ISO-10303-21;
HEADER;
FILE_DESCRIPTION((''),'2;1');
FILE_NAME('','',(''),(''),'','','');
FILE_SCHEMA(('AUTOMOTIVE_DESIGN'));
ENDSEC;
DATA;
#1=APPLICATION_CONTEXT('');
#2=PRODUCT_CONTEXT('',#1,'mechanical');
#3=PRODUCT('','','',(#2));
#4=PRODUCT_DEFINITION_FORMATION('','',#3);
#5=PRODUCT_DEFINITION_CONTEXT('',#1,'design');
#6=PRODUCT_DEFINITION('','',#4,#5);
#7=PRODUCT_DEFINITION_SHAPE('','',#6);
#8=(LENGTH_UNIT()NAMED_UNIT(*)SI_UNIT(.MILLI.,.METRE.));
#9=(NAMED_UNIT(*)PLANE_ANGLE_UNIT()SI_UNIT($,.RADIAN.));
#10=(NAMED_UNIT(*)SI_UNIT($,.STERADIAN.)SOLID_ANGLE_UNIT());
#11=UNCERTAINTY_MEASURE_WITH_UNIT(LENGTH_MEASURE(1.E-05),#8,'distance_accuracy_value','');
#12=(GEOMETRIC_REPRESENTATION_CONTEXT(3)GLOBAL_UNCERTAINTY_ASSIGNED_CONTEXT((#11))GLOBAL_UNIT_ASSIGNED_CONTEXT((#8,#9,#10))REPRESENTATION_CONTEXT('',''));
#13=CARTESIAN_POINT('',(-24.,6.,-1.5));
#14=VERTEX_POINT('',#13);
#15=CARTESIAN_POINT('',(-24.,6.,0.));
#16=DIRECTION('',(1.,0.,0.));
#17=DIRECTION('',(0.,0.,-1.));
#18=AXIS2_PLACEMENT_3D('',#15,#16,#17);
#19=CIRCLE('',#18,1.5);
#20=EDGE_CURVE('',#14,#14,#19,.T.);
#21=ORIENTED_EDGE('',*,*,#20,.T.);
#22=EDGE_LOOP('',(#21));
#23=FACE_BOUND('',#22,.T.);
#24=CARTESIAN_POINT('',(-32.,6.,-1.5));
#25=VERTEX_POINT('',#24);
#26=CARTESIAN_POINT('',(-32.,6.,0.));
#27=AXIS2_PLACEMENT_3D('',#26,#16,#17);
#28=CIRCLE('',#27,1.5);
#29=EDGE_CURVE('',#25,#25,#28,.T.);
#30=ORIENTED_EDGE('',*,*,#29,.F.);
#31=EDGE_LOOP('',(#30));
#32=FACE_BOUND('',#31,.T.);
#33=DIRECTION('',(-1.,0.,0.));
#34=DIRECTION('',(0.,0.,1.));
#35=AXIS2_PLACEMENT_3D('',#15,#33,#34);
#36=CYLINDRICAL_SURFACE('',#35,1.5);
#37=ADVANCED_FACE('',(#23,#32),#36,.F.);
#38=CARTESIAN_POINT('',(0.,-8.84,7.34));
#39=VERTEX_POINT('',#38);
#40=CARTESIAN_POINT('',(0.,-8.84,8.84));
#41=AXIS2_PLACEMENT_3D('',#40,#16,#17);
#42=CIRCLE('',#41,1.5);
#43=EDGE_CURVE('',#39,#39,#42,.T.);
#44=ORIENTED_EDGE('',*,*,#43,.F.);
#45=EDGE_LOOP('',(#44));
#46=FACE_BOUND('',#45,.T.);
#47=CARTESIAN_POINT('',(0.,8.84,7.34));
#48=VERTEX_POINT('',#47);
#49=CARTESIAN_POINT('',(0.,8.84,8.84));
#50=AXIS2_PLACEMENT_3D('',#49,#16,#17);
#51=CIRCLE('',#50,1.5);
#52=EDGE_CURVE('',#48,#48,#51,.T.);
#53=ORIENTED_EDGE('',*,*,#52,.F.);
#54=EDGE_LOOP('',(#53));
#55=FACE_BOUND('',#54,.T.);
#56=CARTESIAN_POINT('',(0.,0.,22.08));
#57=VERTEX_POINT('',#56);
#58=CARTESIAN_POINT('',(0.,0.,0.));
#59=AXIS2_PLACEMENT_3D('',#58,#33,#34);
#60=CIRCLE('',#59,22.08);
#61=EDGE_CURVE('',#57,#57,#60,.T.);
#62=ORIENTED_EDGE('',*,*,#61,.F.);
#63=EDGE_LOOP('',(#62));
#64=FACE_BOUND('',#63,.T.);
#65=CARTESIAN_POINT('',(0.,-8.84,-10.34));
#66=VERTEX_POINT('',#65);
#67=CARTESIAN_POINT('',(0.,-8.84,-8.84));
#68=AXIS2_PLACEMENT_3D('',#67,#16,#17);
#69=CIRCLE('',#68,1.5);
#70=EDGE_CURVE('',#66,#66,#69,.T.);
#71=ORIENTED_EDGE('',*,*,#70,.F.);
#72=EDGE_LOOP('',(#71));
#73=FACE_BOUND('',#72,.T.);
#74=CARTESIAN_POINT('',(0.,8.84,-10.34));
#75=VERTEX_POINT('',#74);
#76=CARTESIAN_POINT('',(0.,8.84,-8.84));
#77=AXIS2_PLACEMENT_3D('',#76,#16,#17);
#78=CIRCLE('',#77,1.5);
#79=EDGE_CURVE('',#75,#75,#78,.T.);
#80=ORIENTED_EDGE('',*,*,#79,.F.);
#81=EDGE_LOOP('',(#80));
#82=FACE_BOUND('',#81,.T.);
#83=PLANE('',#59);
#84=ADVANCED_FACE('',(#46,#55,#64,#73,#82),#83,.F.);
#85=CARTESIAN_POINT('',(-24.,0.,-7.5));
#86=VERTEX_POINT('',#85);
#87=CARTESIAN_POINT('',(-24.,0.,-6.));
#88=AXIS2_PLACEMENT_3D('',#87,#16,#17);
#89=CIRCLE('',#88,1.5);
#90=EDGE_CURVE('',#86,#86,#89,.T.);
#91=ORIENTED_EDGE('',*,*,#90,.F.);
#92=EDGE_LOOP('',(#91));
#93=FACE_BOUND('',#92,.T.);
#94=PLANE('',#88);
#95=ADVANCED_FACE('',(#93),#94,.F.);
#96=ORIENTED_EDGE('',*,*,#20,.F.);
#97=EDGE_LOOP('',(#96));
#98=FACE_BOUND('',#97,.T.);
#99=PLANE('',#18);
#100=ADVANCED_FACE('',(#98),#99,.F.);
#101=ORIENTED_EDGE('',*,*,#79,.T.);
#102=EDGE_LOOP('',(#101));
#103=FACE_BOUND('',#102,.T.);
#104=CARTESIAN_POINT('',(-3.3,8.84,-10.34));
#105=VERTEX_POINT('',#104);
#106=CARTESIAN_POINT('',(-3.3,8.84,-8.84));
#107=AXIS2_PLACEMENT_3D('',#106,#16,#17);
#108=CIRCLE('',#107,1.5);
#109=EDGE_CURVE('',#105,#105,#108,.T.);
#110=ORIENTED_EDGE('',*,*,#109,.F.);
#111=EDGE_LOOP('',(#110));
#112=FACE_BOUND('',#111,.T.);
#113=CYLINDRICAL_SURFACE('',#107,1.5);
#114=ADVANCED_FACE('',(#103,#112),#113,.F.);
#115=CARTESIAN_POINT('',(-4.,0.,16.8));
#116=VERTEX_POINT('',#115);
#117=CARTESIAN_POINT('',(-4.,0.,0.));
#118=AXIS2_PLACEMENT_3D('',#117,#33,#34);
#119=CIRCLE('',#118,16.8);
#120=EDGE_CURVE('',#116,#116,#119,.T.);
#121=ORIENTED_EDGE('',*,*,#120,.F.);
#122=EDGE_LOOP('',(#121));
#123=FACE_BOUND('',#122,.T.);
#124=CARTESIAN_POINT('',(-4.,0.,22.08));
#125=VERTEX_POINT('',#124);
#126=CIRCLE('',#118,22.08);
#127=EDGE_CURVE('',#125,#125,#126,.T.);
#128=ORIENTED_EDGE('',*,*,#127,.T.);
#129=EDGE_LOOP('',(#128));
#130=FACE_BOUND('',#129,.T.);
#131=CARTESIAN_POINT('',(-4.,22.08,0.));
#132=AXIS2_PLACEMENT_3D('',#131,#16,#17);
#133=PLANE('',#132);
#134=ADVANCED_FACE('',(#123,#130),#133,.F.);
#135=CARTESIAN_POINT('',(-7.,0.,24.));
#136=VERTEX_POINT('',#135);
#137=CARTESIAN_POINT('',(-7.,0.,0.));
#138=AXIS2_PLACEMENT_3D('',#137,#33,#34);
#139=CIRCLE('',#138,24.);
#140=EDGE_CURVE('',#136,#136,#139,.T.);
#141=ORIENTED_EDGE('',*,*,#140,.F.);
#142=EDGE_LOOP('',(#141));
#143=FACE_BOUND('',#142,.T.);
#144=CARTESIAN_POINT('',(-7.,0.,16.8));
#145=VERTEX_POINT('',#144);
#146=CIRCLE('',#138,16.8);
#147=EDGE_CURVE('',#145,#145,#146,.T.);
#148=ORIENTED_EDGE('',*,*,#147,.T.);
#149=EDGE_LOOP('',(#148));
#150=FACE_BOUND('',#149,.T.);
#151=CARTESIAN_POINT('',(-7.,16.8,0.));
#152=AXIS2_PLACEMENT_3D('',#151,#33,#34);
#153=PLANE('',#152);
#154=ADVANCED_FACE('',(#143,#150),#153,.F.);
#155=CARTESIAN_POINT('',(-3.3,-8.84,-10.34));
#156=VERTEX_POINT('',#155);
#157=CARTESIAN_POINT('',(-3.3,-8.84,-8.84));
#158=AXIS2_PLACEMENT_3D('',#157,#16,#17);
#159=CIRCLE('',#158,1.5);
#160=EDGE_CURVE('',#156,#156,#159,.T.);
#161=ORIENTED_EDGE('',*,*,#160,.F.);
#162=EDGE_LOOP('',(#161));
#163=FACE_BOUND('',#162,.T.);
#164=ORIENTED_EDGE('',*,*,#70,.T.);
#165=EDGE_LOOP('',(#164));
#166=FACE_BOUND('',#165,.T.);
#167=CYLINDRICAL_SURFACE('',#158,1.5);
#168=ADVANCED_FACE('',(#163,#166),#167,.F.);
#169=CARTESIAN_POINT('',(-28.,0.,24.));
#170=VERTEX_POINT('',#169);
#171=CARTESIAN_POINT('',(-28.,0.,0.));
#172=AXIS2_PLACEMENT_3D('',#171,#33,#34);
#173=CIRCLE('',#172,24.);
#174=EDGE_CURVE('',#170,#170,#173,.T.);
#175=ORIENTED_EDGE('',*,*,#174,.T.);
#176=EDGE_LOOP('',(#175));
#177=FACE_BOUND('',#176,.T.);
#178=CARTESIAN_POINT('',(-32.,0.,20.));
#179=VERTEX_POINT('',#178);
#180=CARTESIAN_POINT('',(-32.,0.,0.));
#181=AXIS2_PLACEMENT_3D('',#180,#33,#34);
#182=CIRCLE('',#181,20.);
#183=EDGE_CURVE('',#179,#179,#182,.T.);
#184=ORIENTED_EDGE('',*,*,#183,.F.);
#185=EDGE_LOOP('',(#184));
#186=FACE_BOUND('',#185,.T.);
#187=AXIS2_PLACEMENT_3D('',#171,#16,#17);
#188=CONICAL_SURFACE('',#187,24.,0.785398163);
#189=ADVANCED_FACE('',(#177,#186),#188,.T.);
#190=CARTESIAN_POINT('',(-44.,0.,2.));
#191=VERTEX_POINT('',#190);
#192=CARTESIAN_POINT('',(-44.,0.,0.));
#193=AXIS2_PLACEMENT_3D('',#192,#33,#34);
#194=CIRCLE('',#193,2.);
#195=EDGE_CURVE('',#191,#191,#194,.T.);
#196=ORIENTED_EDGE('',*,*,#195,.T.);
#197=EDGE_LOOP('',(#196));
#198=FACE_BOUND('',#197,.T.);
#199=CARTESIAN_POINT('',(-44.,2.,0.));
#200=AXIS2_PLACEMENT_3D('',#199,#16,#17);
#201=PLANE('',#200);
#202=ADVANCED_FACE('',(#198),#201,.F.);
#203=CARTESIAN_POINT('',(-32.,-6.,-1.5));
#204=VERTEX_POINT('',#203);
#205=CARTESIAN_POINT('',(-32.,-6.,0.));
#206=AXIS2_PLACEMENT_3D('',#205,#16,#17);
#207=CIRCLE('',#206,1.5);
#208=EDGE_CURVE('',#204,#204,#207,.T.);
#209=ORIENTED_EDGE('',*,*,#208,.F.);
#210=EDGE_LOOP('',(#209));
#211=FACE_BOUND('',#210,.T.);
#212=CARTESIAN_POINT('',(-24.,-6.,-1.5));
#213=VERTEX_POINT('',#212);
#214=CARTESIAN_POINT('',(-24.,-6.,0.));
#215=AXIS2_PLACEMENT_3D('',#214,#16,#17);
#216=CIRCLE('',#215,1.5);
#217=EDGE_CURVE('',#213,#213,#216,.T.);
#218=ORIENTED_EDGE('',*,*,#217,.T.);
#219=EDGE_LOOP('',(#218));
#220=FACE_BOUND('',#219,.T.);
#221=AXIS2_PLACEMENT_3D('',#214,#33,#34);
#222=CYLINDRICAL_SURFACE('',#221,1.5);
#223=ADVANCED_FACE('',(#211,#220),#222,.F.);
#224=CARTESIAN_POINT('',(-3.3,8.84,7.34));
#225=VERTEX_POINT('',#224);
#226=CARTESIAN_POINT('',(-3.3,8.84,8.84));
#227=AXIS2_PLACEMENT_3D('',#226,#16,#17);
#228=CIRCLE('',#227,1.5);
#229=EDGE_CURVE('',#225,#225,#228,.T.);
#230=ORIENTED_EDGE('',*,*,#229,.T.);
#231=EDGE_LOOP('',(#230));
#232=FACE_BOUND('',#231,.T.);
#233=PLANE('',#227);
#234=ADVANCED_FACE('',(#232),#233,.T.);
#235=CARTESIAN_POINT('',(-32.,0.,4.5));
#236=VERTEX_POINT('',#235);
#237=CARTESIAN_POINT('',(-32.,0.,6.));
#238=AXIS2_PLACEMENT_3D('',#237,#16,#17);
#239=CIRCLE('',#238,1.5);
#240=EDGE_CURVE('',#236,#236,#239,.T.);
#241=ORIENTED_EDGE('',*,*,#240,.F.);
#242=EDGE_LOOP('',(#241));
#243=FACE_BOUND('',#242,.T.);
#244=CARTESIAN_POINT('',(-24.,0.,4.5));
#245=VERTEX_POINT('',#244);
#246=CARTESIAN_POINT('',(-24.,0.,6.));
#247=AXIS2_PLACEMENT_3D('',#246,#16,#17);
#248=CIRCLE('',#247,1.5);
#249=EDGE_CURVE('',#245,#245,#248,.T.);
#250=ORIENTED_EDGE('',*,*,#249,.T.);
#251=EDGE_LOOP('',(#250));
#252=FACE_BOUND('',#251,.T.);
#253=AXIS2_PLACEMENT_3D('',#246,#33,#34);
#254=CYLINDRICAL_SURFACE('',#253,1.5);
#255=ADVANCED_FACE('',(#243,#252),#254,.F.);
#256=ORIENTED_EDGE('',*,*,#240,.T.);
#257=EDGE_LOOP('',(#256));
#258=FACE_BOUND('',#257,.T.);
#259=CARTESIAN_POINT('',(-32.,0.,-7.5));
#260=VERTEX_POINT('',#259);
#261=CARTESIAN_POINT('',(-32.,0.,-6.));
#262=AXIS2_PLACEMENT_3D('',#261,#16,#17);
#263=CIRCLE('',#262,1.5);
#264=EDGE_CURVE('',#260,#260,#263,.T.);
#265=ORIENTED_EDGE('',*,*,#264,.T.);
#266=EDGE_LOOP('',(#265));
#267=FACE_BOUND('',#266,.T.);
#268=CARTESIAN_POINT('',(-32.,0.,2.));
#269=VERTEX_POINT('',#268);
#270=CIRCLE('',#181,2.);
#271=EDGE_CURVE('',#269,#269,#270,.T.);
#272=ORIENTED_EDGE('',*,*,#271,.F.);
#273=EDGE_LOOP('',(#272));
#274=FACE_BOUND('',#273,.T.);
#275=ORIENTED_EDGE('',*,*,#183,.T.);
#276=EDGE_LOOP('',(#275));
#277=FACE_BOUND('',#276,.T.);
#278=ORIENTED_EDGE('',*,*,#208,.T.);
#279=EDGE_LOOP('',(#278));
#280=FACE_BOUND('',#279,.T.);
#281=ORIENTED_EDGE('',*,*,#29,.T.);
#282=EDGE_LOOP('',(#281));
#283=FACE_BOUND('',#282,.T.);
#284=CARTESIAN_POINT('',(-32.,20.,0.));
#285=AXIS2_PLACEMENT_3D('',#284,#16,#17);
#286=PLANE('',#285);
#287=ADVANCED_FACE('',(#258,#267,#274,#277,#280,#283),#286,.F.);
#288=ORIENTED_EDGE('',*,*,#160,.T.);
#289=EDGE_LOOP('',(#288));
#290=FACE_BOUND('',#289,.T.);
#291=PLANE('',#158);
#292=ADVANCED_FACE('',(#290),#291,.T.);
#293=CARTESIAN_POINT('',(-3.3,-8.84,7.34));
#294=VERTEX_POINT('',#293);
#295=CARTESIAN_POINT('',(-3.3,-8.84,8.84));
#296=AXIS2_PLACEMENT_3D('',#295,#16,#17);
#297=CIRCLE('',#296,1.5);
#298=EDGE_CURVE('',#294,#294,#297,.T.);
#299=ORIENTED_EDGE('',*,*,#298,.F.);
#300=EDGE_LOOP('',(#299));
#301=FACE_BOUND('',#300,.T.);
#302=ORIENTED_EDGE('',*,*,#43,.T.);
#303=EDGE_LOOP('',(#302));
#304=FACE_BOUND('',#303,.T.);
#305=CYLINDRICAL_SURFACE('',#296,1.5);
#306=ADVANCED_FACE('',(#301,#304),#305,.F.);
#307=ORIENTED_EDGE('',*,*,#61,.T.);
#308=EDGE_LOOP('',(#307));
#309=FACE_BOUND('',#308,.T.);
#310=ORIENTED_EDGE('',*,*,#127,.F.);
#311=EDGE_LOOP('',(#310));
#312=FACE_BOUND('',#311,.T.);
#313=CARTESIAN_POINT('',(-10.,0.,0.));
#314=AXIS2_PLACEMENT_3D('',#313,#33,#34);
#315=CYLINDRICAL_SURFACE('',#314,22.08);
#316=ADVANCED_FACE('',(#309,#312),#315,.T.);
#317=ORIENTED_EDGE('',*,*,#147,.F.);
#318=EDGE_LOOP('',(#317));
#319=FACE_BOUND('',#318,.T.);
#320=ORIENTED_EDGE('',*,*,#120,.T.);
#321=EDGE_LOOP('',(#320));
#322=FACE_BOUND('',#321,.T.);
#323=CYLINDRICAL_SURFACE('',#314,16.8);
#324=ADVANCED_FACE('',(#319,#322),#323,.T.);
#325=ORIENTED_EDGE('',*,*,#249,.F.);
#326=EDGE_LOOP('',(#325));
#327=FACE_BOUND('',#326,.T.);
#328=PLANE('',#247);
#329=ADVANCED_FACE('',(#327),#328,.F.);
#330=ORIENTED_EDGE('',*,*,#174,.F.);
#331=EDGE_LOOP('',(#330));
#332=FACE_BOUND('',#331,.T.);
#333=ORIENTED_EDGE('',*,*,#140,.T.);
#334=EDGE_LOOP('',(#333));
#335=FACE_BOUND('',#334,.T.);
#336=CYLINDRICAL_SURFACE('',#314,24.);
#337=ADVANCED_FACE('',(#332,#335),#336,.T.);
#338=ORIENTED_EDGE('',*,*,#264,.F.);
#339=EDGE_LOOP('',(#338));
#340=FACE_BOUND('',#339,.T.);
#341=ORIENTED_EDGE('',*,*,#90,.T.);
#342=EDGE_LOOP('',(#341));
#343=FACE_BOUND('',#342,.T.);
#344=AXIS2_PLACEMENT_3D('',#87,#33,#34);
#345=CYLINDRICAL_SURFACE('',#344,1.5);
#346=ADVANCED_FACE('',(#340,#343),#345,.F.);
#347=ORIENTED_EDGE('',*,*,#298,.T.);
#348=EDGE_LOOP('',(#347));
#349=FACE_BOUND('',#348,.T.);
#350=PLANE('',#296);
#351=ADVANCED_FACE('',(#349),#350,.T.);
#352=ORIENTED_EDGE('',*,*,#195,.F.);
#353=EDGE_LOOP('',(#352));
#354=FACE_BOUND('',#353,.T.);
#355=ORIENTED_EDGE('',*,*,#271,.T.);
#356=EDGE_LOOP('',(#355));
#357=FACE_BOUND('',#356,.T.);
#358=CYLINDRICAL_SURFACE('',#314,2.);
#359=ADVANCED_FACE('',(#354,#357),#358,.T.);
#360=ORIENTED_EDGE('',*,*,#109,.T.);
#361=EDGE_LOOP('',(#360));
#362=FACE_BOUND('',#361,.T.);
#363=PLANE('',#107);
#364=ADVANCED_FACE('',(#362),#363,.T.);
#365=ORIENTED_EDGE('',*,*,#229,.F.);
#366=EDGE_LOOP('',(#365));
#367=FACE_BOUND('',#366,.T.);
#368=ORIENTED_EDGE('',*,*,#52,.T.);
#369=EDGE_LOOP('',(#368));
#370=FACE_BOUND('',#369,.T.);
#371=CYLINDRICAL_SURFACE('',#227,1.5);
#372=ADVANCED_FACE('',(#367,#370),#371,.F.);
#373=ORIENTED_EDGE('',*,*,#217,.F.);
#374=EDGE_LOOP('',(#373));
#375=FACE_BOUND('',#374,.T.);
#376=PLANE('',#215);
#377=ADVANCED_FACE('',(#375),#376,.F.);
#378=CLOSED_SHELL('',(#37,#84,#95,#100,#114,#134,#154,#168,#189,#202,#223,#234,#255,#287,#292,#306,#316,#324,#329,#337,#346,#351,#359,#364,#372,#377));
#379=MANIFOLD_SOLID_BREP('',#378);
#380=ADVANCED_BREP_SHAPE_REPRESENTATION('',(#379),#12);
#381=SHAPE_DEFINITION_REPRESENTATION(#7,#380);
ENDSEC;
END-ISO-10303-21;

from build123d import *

# Parameters (mm, degrees)
SKETCH2_R          = 1.5
CUT_EXTRUDE1_DEPTH = 3.3
SKETCH3_R          = 1.5
CUT_EXTRUDE2_DEPTH = 8


with BuildPart() as part:
    # Sketch1 → Revolve1 (revolve)
    with BuildSketch(Plane.XY, mode=Mode.PRIVATE) as revolve1_sk:
        Polygon((0, 0), (0, 22.08), (-4, 22.08), (-4, 16.8), (-7, 16.8), (-7, 24), (-28, 24), (-32, 20), (-32, 2), (-44, 2), (-44, 0), align=None)
    revolve(revolve1_sk.sketch.rotate(Axis((-10, 0, 0), (1, 0, 0)), 90), axis=Axis((-10, 0, 0), (1, 0, 0)))

    # Sketch2 → Cut-Extrude1 (cut)
    with BuildSketch(Plane(origin=(0, 0, 0), x_dir=(0, 0, -1), z_dir=(1, 0, 0))):
        with Locations((-8.84, 8.84)):
            Circle(SKETCH2_R)
        with Locations((-8.84, -8.84)):
            Circle(SKETCH2_R)
        with Locations((8.84, 8.84)):
            Circle(SKETCH2_R)
        with Locations((8.84, -8.84)):
            Circle(SKETCH2_R)
    extrude(amount=-CUT_EXTRUDE1_DEPTH, mode=Mode.SUBTRACT)

    # Sketch3 → Cut-Extrude2 (cut)
    with BuildSketch(Plane(origin=(-32, 0, 0), x_dir=(0, 0, -1), z_dir=(1, 0, 0))):
        with Locations((-6, 0)):
            Circle(SKETCH3_R)
        with Locations((6, 0)):
            Circle(SKETCH3_R)
        with Locations((0, 6)):
            Circle(SKETCH3_R)
        with Locations((0, -6)):
            Circle(SKETCH3_R)
    extrude(amount=CUT_EXTRUDE2_DEPTH, mode=Mode.SUBTRACT)


solid = part.part
